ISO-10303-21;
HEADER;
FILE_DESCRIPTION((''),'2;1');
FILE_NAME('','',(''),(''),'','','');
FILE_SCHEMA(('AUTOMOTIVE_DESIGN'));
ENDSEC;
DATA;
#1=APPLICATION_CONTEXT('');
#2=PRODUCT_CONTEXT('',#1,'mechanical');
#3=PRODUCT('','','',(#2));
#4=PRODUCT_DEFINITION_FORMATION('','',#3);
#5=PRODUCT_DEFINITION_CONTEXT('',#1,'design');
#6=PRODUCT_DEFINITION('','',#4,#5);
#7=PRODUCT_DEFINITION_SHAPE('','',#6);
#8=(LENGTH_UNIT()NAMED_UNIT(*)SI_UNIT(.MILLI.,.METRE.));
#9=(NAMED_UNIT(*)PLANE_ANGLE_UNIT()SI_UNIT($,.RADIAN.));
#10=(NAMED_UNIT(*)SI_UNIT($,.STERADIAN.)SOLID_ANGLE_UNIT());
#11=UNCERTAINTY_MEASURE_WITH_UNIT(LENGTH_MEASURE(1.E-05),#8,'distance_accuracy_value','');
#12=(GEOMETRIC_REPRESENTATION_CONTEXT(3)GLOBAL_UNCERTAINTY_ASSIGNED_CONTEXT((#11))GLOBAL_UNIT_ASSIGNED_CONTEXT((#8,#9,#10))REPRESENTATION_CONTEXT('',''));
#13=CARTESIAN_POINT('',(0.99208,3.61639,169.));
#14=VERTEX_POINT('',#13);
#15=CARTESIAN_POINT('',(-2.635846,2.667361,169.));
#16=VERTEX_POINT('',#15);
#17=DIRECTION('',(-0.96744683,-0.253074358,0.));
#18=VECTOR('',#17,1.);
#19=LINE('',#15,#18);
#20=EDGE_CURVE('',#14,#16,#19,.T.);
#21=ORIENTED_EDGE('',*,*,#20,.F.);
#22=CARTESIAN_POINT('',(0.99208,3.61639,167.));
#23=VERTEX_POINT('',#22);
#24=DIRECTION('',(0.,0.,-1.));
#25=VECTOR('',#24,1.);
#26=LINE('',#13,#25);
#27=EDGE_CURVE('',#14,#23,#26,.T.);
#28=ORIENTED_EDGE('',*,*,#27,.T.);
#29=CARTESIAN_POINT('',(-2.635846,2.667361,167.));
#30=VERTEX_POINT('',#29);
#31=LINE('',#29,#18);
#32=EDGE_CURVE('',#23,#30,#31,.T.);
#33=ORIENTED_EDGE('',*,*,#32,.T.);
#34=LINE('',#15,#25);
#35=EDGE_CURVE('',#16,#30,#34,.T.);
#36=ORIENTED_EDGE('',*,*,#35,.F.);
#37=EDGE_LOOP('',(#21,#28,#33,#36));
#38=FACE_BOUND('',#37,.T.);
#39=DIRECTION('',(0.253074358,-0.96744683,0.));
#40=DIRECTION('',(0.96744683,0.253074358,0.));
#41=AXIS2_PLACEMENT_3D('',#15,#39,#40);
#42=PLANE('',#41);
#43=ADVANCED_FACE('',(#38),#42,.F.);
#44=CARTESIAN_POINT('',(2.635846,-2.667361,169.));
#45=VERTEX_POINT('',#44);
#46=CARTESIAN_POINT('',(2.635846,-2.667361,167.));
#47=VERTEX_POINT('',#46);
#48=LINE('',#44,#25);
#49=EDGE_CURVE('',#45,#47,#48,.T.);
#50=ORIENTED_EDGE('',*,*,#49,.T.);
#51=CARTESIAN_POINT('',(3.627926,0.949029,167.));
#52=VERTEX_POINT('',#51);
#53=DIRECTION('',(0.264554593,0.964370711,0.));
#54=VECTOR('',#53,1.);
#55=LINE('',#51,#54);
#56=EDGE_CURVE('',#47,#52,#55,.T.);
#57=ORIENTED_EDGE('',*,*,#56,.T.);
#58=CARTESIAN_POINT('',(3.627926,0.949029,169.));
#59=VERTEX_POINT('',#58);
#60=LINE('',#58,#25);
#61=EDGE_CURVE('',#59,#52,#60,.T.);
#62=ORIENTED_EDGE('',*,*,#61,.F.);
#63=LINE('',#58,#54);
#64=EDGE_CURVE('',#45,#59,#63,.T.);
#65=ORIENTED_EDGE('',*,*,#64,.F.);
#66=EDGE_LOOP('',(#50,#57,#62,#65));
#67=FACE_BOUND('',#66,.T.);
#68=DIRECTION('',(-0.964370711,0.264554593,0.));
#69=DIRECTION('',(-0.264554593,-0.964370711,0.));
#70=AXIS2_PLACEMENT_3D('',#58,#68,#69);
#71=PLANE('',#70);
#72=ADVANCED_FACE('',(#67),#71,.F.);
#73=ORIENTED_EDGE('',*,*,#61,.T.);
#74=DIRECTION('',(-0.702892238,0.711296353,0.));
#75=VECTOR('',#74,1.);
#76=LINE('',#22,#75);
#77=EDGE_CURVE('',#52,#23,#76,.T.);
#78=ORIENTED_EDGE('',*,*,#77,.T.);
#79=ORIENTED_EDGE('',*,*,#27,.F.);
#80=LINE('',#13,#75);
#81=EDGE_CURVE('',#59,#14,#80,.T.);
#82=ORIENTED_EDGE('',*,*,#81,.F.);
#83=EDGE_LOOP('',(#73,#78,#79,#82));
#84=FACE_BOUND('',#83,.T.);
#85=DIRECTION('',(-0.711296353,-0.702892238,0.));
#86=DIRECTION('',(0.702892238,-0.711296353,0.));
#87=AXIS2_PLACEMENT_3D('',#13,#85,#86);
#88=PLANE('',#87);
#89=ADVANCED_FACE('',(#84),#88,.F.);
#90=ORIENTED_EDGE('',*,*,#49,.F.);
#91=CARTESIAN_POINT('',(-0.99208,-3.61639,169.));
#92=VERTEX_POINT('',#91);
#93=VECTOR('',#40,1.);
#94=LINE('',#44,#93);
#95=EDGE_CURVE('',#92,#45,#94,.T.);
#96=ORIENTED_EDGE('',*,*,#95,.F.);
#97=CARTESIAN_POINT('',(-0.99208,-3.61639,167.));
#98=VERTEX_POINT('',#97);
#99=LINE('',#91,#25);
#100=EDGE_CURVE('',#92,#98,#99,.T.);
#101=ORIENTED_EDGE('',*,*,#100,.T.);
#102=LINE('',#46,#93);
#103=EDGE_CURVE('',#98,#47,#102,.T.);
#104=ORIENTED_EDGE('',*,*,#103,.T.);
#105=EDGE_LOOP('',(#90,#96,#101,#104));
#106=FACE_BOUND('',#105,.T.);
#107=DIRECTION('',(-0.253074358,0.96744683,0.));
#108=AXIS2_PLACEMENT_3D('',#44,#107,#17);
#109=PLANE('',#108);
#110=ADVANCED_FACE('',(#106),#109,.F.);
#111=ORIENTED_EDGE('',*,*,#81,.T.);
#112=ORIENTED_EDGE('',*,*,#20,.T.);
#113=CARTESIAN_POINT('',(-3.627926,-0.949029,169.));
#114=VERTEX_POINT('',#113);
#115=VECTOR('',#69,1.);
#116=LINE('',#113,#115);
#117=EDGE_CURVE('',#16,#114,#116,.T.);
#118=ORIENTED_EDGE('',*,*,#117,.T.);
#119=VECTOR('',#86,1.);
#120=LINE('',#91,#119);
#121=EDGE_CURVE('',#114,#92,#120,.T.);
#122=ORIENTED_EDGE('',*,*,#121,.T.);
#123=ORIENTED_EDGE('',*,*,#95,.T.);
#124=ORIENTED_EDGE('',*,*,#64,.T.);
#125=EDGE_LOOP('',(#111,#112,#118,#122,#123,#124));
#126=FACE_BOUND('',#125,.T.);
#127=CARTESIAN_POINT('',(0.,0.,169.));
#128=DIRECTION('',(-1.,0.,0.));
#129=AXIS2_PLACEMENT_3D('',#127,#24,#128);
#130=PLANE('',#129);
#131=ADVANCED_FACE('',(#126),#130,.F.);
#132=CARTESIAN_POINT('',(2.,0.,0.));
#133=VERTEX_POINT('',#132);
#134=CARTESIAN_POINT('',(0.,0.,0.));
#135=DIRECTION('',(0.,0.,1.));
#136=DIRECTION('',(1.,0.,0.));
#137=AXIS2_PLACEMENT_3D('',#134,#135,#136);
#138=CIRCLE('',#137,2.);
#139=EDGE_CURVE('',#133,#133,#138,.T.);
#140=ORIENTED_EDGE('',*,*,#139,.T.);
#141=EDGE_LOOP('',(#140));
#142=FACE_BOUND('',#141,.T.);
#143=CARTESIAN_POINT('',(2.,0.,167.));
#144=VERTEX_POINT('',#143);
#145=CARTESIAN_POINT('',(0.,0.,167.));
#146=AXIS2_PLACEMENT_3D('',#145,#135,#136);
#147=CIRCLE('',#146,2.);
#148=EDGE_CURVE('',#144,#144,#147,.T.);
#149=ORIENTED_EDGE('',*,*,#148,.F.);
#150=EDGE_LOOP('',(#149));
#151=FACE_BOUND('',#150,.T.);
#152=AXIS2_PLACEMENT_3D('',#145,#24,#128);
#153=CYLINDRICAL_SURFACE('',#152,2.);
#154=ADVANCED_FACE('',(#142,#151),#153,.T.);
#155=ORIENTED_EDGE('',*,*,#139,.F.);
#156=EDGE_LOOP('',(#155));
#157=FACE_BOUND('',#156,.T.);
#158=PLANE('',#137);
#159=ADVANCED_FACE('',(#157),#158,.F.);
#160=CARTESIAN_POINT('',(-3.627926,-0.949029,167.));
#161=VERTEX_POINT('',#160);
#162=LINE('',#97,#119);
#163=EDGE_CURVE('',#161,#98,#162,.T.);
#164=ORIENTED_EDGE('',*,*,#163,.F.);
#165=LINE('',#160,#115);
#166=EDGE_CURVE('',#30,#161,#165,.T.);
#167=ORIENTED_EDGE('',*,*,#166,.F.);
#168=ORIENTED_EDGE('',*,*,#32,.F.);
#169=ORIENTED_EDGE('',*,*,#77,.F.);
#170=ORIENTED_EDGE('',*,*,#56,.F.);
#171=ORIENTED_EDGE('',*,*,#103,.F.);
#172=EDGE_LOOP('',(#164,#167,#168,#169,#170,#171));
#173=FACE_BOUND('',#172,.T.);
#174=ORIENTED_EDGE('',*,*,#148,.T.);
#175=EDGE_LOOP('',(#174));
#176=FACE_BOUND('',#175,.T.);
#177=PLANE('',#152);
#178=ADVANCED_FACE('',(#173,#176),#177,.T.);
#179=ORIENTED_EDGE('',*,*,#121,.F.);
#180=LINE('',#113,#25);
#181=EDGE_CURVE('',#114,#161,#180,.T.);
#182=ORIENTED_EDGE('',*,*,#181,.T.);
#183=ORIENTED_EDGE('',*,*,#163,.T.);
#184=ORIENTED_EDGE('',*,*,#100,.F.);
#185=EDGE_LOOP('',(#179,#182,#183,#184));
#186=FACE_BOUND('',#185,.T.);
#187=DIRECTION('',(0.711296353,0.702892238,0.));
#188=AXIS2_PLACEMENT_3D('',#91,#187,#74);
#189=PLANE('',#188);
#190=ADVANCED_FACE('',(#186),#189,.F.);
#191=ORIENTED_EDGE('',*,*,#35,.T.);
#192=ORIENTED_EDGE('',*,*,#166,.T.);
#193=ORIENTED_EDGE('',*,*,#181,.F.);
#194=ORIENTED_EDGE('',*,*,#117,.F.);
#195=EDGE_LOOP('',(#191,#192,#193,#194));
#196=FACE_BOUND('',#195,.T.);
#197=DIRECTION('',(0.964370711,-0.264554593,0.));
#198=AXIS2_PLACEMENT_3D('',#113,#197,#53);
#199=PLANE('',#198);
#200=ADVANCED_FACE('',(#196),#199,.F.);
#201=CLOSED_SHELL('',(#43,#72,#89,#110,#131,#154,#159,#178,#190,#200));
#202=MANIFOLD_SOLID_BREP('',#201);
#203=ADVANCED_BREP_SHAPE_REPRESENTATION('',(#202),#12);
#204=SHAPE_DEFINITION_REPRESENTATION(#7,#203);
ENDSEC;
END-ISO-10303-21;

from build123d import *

# Parameters (mm, degrees)
SKETCH1_R           = 2
BOSS_EXTRUDE1_DEPTH = 167
BOSS_EXTRUDE2_DEPTH = 2


with BuildPart() as part:
    # Sketch1 → Boss-Extrude1 (new body)
    with BuildSketch(Plane.XY):
        Circle(SKETCH1_R)
    extrude(amount=BOSS_EXTRUDE1_DEPTH)

    # Sketch2 → Boss-Extrude2 (add)
    with BuildSketch(Plane.XY.offset(167)):
        Polygon((-2.635845892, 2.667361324), (0.992079722, 3.616390165), (3.627925614, 0.949028841), (2.635845892, -2.667361324), (-0.992079722, -3.616390165), (-3.627925614, -0.949028841), align=None)
    extrude(amount=BOSS_EXTRUDE2_DEPTH)


solid = part.part
